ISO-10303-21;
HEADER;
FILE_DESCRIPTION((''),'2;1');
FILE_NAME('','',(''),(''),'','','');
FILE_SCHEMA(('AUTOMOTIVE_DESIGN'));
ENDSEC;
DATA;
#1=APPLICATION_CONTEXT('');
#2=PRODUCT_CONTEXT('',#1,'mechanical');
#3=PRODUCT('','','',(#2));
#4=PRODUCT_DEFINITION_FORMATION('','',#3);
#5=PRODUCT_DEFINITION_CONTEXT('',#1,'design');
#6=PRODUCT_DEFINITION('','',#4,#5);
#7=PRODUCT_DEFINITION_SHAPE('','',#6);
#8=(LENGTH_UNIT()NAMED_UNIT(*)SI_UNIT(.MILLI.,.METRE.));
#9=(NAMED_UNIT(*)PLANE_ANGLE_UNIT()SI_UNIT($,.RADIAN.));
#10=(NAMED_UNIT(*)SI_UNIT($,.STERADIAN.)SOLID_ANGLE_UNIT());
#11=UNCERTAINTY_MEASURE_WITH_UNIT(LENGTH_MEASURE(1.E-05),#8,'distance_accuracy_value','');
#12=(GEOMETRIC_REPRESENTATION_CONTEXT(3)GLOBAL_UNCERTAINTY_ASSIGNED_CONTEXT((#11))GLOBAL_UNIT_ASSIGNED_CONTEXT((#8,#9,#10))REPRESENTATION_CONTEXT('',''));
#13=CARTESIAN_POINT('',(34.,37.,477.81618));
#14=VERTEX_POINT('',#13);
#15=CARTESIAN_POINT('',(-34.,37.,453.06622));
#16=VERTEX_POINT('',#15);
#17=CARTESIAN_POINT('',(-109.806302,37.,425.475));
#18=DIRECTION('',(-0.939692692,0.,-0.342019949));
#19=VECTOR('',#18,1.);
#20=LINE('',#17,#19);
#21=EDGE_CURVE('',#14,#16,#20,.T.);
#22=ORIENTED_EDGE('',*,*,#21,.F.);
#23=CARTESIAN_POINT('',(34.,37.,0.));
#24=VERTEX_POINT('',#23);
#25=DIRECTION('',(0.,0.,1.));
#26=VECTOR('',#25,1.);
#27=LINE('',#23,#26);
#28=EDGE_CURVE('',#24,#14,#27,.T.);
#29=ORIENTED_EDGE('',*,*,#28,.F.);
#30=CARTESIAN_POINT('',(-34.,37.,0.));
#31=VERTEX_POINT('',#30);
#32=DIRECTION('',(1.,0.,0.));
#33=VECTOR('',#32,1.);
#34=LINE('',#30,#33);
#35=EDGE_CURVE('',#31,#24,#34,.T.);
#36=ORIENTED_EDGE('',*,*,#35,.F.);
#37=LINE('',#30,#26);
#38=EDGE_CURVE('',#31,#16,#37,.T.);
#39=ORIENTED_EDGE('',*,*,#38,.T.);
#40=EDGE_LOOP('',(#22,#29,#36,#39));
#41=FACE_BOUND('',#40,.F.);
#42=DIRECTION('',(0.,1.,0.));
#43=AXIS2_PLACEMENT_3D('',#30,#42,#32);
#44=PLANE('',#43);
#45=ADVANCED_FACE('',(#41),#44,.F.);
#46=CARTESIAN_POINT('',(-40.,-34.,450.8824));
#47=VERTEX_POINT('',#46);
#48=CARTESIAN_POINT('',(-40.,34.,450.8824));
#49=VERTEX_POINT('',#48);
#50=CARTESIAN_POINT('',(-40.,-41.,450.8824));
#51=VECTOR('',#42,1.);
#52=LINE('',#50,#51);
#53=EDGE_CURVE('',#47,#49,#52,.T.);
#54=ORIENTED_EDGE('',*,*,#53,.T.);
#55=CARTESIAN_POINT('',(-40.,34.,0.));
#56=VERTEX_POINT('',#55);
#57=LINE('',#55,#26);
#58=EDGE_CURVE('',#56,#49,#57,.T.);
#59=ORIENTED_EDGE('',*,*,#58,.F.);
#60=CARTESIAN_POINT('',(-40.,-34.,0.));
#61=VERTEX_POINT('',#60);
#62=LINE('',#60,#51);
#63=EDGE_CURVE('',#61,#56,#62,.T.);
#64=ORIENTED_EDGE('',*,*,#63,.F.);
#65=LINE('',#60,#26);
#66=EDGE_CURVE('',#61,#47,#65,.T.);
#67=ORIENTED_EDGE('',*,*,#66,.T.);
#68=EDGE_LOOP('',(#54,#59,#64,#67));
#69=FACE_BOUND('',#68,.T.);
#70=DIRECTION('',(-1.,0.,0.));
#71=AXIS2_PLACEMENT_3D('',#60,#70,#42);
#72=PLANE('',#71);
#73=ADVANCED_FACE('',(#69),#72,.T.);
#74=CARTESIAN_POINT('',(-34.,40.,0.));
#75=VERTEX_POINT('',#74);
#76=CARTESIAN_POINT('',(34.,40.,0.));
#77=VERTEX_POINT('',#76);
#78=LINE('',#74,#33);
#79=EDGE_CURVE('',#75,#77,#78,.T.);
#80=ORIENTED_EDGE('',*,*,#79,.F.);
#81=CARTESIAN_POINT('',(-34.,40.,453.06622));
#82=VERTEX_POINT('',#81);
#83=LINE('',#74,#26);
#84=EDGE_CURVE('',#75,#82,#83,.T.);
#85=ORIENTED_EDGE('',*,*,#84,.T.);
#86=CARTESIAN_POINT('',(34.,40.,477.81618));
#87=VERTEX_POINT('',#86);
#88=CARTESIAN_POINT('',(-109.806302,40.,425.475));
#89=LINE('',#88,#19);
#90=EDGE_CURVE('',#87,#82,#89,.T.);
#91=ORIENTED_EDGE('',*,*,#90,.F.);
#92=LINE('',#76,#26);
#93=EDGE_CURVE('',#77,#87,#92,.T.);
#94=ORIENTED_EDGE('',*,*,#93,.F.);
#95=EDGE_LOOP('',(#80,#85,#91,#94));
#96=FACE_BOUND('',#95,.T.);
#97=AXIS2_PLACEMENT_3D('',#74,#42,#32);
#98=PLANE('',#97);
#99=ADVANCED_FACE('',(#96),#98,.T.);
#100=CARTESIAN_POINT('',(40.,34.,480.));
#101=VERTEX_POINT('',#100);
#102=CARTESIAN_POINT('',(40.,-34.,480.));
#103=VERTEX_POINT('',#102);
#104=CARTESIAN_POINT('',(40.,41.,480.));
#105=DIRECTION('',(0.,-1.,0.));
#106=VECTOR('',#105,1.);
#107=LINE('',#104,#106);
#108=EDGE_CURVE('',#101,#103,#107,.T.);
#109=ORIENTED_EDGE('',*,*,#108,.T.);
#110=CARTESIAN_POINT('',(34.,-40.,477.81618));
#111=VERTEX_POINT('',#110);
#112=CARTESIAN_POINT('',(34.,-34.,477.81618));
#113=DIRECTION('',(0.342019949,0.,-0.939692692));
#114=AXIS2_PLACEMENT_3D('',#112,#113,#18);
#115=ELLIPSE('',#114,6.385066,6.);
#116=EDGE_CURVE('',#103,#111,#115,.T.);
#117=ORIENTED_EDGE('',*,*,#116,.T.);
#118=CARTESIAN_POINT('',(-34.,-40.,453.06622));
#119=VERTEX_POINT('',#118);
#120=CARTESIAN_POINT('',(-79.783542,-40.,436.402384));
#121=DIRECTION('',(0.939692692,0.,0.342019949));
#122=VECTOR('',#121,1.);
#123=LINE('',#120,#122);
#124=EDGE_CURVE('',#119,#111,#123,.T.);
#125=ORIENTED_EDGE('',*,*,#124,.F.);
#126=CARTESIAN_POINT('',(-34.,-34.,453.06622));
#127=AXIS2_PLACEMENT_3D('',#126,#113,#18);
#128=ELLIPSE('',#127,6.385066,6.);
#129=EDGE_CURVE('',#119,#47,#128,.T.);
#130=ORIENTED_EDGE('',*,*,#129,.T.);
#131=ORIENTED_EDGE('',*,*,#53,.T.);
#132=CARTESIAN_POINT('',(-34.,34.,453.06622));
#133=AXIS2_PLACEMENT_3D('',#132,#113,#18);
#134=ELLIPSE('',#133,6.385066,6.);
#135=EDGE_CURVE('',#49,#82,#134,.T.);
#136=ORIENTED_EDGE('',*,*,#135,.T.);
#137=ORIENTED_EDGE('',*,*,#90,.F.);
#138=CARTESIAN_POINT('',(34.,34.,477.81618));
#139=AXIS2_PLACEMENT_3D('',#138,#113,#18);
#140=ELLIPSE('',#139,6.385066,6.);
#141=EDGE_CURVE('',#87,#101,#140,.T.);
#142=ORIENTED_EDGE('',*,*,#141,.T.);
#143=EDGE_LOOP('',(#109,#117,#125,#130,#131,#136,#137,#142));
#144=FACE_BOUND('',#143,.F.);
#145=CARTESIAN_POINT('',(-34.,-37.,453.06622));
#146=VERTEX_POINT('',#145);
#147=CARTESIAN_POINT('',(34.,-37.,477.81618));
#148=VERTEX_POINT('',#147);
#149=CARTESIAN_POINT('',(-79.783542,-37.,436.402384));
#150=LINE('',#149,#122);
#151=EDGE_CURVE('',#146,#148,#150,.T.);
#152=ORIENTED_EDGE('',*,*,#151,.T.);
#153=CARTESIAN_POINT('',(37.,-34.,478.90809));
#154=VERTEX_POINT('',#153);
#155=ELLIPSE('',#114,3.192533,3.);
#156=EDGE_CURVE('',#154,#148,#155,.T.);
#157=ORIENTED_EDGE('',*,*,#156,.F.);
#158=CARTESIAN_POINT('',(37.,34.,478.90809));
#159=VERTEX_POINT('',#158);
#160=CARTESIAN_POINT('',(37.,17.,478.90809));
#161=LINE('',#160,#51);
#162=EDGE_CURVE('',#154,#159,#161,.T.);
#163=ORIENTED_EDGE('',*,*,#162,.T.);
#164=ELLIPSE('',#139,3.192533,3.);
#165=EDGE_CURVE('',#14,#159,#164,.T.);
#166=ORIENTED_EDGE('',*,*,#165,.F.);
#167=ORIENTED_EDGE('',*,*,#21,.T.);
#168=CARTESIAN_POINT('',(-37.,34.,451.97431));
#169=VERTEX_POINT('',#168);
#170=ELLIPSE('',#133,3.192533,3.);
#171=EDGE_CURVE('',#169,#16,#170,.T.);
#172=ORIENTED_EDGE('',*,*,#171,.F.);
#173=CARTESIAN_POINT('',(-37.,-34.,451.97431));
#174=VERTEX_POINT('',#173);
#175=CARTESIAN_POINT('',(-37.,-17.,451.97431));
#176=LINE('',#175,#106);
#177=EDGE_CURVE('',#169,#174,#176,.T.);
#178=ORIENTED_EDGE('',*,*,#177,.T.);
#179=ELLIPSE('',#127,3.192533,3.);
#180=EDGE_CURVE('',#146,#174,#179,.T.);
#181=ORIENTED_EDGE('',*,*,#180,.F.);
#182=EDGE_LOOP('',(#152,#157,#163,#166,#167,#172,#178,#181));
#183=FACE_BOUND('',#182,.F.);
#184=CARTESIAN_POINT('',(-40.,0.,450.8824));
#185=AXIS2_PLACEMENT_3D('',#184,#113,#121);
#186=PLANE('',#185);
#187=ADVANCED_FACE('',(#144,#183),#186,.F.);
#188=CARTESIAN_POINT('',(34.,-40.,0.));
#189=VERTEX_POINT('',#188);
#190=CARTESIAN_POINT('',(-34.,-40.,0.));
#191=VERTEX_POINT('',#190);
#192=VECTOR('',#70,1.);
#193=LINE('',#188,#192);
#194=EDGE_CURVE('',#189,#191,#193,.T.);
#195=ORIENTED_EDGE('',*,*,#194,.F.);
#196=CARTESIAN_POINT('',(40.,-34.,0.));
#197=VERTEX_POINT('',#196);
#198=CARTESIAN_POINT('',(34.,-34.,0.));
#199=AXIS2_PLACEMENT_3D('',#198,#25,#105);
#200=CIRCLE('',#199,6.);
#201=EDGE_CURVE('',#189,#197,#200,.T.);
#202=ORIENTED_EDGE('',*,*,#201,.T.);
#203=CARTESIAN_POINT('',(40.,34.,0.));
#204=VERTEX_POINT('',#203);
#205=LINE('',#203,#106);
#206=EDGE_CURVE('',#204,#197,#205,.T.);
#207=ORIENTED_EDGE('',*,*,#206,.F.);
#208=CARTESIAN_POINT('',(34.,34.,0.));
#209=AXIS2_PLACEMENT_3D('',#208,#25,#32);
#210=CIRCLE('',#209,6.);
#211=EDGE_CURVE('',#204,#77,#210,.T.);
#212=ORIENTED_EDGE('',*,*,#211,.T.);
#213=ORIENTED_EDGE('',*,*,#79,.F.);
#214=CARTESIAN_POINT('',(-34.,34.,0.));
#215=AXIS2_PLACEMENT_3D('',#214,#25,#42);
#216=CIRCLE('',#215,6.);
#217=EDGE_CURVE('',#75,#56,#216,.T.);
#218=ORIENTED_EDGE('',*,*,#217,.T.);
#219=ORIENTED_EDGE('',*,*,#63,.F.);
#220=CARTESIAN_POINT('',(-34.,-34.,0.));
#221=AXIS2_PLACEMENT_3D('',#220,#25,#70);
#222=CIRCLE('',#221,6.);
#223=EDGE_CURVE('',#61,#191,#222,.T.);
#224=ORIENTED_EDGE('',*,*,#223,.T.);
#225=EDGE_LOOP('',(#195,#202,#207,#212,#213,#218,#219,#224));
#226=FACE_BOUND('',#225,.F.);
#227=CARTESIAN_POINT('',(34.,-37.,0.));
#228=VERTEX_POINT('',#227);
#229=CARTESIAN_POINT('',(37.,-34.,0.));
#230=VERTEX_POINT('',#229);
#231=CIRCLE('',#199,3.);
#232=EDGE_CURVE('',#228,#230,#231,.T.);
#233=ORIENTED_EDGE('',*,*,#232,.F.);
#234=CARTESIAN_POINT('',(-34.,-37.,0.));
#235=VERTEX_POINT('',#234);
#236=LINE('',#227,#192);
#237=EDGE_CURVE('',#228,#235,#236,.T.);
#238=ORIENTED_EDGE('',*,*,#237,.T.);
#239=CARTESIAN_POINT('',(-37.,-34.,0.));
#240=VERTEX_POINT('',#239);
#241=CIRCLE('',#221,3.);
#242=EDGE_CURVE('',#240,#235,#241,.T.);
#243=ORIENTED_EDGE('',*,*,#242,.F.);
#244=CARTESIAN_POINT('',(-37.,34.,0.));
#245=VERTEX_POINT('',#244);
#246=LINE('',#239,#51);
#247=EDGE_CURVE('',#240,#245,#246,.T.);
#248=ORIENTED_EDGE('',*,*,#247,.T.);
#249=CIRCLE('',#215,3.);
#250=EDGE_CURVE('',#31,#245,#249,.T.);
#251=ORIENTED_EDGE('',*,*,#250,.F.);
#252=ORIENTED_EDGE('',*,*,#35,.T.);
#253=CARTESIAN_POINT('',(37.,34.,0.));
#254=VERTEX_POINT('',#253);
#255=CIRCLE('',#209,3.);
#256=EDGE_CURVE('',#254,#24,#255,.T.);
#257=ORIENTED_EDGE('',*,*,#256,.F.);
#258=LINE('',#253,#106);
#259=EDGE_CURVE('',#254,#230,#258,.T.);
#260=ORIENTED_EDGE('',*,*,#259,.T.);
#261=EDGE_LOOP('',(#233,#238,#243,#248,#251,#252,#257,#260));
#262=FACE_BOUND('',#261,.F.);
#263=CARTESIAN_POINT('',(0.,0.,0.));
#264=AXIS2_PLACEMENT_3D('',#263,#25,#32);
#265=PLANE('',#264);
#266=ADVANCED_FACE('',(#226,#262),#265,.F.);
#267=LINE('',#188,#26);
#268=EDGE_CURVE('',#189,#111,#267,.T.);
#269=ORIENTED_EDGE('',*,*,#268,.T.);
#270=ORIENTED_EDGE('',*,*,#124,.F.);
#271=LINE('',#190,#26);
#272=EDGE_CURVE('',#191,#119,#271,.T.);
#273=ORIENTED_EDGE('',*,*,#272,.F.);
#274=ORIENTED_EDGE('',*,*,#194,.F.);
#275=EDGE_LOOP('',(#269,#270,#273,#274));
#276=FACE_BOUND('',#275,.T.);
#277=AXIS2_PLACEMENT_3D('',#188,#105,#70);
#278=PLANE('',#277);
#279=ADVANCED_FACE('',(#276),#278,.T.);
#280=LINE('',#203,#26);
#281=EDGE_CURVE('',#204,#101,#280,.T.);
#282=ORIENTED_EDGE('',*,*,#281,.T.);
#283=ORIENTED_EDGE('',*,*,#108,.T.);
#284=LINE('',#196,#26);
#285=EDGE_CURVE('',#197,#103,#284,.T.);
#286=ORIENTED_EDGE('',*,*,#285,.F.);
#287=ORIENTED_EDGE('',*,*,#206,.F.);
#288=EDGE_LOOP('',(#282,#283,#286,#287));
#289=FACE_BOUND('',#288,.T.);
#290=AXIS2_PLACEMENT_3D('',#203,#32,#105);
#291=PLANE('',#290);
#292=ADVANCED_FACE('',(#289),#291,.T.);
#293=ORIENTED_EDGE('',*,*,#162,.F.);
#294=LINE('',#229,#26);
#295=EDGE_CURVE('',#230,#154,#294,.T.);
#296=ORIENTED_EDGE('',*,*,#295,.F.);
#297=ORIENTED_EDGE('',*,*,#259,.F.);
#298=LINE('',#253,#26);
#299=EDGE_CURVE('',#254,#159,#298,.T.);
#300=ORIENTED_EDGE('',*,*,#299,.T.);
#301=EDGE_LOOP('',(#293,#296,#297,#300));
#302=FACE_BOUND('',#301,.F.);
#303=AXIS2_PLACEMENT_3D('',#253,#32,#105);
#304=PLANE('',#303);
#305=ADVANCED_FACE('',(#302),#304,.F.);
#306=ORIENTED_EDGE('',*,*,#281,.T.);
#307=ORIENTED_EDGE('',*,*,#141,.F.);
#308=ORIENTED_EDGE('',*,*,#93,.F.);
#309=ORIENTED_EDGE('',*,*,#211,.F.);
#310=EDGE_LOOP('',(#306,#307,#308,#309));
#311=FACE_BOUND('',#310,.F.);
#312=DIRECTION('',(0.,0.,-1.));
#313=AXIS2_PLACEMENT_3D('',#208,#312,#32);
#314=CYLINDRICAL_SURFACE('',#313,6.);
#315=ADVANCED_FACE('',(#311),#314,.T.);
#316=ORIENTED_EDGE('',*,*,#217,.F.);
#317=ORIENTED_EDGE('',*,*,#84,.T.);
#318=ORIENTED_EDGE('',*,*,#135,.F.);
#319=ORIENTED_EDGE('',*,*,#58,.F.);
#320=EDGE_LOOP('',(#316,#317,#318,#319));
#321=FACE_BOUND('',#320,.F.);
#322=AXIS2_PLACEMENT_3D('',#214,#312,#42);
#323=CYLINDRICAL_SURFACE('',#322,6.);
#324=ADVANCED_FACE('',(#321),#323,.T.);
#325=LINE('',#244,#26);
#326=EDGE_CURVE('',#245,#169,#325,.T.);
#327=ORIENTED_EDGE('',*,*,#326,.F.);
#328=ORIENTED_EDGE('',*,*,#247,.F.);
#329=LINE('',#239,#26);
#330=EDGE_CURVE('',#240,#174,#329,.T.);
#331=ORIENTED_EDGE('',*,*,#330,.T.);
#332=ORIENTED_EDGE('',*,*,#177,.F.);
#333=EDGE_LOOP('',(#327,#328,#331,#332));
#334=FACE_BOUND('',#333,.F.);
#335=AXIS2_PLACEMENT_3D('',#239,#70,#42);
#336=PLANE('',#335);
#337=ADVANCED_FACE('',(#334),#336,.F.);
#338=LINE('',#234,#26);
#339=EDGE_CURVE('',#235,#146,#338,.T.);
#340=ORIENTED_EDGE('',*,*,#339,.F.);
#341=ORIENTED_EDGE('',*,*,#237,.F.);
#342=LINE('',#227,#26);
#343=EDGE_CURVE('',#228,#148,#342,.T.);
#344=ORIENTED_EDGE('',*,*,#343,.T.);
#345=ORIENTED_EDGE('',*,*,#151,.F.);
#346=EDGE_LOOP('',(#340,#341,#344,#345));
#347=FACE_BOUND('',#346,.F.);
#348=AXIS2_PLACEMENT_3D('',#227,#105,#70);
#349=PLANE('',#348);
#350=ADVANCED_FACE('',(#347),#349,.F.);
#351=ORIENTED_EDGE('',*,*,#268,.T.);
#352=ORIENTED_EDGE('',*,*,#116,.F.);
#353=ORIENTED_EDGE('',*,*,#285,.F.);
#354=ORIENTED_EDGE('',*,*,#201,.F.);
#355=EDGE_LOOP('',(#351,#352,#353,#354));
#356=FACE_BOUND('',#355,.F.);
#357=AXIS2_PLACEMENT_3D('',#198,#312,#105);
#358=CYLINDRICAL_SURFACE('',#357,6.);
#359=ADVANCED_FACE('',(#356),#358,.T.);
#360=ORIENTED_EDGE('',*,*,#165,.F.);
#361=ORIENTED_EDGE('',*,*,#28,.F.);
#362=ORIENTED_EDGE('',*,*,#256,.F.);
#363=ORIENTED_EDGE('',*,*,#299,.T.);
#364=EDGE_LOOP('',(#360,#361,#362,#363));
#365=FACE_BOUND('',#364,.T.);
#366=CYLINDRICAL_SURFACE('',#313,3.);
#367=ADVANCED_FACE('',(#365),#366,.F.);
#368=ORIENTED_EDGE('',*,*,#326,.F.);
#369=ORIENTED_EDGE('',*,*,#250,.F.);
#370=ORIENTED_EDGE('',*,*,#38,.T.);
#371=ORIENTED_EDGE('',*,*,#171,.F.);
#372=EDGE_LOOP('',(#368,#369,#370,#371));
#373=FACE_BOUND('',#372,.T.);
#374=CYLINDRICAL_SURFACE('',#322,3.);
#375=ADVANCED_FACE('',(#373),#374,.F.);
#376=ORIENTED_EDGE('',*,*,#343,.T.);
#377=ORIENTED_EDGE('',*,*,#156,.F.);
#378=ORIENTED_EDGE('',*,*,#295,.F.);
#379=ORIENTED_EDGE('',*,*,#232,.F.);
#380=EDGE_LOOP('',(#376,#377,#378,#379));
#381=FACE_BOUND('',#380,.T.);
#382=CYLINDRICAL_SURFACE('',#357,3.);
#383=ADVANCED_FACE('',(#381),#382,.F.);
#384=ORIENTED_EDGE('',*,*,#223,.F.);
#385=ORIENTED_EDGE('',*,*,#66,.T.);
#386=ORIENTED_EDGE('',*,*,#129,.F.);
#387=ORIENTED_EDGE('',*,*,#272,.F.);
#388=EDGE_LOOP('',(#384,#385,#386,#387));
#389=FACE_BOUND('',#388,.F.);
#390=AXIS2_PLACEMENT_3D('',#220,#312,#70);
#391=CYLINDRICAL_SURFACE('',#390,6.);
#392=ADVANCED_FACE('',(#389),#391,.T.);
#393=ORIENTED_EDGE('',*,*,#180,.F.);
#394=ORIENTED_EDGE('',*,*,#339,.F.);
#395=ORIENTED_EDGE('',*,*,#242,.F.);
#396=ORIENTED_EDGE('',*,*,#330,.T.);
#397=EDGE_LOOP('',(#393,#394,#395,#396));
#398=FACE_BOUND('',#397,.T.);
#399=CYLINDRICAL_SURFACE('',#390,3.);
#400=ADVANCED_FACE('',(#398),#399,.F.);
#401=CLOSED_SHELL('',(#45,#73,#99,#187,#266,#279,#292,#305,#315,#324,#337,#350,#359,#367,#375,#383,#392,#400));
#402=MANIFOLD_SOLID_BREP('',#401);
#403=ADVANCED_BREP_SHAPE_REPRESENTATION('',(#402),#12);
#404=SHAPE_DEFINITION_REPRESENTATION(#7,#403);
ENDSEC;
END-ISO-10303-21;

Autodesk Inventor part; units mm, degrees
ref_plane "YZ Plane" through (0, 0, 0) normal (1, 0, 0) x (0, 1, 0)
ref_plane "Start plane" through (0, 0, 0) normal (0, 0, 1) x (1, 0, 0)
ref_plane "End plane" through (0, 0, 1000) normal (0, 0, 1) x (1, 0, 0)
sketch "Sketch" plane through (0, 0, 0) normal (0, 0, 1) x (1, 0, 0)
  line L0 (-40, -34) -> (-40, 34)
  line L1 (-34, 40) -> (34, 40)
  line L2 (40, 34) -> (40, -34)
  line L3 (34, -40) -> (-34, -40)
  arc A0 (-40, -34) -> (-34, -40) centre (-34, -34) ccw
  arc A1 (40, 34) -> (34, 40) centre (34, 34) ccw
  arc A2 (-34, 40) -> (-40, 34) centre (-34, 34) ccw
  arc A3 (34, -40) -> (40, -34) centre (34, -34) ccw
  arc A4 (-34, 37) -> (-37, 34) centre (-34, 34) ccw
  line L4 (-34, 37) -> (34, 37)
  arc A5 (37, 34) -> (34, 37) centre (34, 34) ccw
  line L5 (37, 34) -> (37, -34)
  arc A6 (34, -37) -> (37, -34) centre (34, -34) ccw
  line L6 (34, -37) -> (-34, -37)
  arc A7 (-37, -34) -> (-34, -37) centre (-34, -34) ccw
  line L7 (-37, -34) -> (-37, 34)
  line L8 (0, 57.7397) -> (0, -57.7397) construction
  line L9 (-1453.6197, 0) -> (290.3864, 0) construction
  dimension "d7" = 6
  dimension "d9" = 80
  dimension "d11" = 80
  dimension "d12" = 3
  dimension "d15" = 40
  dimension "d16" = 40
extrude "Body" add sketch "Sketch" along normal up to surface (1000 mm away) from surface at 0
sketch "Sketch3" plane through (0, 0, 0) normal (0, 0, 1) x (1, 0, 0)
  line L0 (0, 0) -> (10, 0)
ref_plane "Work Plane3" through (0, 0, 0) normal (0, -1, 0) x (1, 0, 0)
sketch "Sketch5" plane through (0, 0, 0) normal (0, 1, 0) x (-1, 0, 0)
  line L0 (-40, 0) -> (-40, 1000) projected
  line L1 (40, 0) -> (40, 1000) projected
  line L2 (40, 0) -> (40, 1000) projected
  line L3 (40, 458.04) -> (415, 458.04) construction
  line L4 (-5.663, 479.3796) -> (835.663, 479.3796) construction
  arc A0 (-5.663, 479.3796) -> (415, 380) centre (415, 1320) ccw construction
  line L5 (-55, 559.2385) -> (885, 559.2385) construction
  arc A1 (-55, 559.2385) -> (-5.663, 479.3796) centre (34.3, 559.2385) ccw construction
  arc A2 (835.663, 479.3796) -> (885, 559.2385) centre (795.7, 559.2385) ccw
  line L6 (-55, 559.2385) -> (-55, 599.2385)
  line L7 (885, 559.2385) -> (885, 599.2385)
  line L8 (-55, 599.2385) -> (415, 599.2385) construction
  line L9 (415, 599.2385) -> (415, 0)
  arc A3 (415, 380) -> (835.663, 479.3796) centre (415, 1320) ccw
  line L10 (415, 599.2385) -> (885, 599.2385)
  point P0 (0, 0)
  dimension "d22" = 375
  dimension "d24" = 940
  dimension "d25" = 89.3
  dimension "d26" = 40
  dimension "d27" = 940
  dimension "d28" = 380
  dimension "d30" = 458.04
sketch "Sketch6" plane through (0, 0, 0) normal (0, 1, 0) x (-1, 0, 0)
  line L0 (40, 0) -> (40, 1000) projected
  line L1 (40, 0) -> (40, 1000) projected
  line L2 (-40, 0) -> (-40, 1000) projected
  line L3 (-40, 0) -> (-40, 1000) projected
  line L4 (34, 1000) -> (40, 1000) projected
  line L5 (40, 1000) -> (-40, 1000)
  arc A0 (-5.663, 479.3796) -> (415, 380) centre (415, 1320) ccw construction
  line L6 (40, 450.8824) -> (-40, 480)
  point P0 (0, 0)
  dimension "d34" = 110
  dimension "d36" = 480
extrude "Extrusion2" cut sketch "Sketch6" along normal through all both and the other way through all
sketch "Sketch4" plane through (0, 0, 0) normal (0, -1, 0) x (1, 0, 0)
  line L0 (-1453.3712, 0) -> (288.8952, 0) projected
  line L1 (-1453.3712, 1000) -> (288.8952, 1000) projected
  dimension "d18" = 1000
equation "\"d7\" = G_IR"
equation "\"d9\" = G_W"
equation "\"d11\" = G_H"
equation "\"d12\" = G_T"
equation "\"d15\" = 0.5 * d9"
equation "\"d16\" = 0.5 * d11"
equation "\"d3\" = G_L"
equation "\"d22\" = 0.5 * Diam_of_legs_center"
equation "\"d24\" = d27"
equation "\"d25\" = 0.095 * d27"
equation "\"d27\" = MAIN_filter_diam"
equation "\"G_W\" = 80"
equation "\"G_H\" = 80"
equation "\"G_T\" = 3"
equation "\"G_IR\" = 6"
equation "\"G_L\" = d18"
equation "\"G_OFFSET_START\" = 0"
equation "\"G_OFFSET_END\" = 0"
equation "\"MAIN_filter_diam\" = 940"
equation "\"Diam_of_legs_center\" = 750"
properties part number "SLM 1692 Leg tube" material "Steel, Mild"
